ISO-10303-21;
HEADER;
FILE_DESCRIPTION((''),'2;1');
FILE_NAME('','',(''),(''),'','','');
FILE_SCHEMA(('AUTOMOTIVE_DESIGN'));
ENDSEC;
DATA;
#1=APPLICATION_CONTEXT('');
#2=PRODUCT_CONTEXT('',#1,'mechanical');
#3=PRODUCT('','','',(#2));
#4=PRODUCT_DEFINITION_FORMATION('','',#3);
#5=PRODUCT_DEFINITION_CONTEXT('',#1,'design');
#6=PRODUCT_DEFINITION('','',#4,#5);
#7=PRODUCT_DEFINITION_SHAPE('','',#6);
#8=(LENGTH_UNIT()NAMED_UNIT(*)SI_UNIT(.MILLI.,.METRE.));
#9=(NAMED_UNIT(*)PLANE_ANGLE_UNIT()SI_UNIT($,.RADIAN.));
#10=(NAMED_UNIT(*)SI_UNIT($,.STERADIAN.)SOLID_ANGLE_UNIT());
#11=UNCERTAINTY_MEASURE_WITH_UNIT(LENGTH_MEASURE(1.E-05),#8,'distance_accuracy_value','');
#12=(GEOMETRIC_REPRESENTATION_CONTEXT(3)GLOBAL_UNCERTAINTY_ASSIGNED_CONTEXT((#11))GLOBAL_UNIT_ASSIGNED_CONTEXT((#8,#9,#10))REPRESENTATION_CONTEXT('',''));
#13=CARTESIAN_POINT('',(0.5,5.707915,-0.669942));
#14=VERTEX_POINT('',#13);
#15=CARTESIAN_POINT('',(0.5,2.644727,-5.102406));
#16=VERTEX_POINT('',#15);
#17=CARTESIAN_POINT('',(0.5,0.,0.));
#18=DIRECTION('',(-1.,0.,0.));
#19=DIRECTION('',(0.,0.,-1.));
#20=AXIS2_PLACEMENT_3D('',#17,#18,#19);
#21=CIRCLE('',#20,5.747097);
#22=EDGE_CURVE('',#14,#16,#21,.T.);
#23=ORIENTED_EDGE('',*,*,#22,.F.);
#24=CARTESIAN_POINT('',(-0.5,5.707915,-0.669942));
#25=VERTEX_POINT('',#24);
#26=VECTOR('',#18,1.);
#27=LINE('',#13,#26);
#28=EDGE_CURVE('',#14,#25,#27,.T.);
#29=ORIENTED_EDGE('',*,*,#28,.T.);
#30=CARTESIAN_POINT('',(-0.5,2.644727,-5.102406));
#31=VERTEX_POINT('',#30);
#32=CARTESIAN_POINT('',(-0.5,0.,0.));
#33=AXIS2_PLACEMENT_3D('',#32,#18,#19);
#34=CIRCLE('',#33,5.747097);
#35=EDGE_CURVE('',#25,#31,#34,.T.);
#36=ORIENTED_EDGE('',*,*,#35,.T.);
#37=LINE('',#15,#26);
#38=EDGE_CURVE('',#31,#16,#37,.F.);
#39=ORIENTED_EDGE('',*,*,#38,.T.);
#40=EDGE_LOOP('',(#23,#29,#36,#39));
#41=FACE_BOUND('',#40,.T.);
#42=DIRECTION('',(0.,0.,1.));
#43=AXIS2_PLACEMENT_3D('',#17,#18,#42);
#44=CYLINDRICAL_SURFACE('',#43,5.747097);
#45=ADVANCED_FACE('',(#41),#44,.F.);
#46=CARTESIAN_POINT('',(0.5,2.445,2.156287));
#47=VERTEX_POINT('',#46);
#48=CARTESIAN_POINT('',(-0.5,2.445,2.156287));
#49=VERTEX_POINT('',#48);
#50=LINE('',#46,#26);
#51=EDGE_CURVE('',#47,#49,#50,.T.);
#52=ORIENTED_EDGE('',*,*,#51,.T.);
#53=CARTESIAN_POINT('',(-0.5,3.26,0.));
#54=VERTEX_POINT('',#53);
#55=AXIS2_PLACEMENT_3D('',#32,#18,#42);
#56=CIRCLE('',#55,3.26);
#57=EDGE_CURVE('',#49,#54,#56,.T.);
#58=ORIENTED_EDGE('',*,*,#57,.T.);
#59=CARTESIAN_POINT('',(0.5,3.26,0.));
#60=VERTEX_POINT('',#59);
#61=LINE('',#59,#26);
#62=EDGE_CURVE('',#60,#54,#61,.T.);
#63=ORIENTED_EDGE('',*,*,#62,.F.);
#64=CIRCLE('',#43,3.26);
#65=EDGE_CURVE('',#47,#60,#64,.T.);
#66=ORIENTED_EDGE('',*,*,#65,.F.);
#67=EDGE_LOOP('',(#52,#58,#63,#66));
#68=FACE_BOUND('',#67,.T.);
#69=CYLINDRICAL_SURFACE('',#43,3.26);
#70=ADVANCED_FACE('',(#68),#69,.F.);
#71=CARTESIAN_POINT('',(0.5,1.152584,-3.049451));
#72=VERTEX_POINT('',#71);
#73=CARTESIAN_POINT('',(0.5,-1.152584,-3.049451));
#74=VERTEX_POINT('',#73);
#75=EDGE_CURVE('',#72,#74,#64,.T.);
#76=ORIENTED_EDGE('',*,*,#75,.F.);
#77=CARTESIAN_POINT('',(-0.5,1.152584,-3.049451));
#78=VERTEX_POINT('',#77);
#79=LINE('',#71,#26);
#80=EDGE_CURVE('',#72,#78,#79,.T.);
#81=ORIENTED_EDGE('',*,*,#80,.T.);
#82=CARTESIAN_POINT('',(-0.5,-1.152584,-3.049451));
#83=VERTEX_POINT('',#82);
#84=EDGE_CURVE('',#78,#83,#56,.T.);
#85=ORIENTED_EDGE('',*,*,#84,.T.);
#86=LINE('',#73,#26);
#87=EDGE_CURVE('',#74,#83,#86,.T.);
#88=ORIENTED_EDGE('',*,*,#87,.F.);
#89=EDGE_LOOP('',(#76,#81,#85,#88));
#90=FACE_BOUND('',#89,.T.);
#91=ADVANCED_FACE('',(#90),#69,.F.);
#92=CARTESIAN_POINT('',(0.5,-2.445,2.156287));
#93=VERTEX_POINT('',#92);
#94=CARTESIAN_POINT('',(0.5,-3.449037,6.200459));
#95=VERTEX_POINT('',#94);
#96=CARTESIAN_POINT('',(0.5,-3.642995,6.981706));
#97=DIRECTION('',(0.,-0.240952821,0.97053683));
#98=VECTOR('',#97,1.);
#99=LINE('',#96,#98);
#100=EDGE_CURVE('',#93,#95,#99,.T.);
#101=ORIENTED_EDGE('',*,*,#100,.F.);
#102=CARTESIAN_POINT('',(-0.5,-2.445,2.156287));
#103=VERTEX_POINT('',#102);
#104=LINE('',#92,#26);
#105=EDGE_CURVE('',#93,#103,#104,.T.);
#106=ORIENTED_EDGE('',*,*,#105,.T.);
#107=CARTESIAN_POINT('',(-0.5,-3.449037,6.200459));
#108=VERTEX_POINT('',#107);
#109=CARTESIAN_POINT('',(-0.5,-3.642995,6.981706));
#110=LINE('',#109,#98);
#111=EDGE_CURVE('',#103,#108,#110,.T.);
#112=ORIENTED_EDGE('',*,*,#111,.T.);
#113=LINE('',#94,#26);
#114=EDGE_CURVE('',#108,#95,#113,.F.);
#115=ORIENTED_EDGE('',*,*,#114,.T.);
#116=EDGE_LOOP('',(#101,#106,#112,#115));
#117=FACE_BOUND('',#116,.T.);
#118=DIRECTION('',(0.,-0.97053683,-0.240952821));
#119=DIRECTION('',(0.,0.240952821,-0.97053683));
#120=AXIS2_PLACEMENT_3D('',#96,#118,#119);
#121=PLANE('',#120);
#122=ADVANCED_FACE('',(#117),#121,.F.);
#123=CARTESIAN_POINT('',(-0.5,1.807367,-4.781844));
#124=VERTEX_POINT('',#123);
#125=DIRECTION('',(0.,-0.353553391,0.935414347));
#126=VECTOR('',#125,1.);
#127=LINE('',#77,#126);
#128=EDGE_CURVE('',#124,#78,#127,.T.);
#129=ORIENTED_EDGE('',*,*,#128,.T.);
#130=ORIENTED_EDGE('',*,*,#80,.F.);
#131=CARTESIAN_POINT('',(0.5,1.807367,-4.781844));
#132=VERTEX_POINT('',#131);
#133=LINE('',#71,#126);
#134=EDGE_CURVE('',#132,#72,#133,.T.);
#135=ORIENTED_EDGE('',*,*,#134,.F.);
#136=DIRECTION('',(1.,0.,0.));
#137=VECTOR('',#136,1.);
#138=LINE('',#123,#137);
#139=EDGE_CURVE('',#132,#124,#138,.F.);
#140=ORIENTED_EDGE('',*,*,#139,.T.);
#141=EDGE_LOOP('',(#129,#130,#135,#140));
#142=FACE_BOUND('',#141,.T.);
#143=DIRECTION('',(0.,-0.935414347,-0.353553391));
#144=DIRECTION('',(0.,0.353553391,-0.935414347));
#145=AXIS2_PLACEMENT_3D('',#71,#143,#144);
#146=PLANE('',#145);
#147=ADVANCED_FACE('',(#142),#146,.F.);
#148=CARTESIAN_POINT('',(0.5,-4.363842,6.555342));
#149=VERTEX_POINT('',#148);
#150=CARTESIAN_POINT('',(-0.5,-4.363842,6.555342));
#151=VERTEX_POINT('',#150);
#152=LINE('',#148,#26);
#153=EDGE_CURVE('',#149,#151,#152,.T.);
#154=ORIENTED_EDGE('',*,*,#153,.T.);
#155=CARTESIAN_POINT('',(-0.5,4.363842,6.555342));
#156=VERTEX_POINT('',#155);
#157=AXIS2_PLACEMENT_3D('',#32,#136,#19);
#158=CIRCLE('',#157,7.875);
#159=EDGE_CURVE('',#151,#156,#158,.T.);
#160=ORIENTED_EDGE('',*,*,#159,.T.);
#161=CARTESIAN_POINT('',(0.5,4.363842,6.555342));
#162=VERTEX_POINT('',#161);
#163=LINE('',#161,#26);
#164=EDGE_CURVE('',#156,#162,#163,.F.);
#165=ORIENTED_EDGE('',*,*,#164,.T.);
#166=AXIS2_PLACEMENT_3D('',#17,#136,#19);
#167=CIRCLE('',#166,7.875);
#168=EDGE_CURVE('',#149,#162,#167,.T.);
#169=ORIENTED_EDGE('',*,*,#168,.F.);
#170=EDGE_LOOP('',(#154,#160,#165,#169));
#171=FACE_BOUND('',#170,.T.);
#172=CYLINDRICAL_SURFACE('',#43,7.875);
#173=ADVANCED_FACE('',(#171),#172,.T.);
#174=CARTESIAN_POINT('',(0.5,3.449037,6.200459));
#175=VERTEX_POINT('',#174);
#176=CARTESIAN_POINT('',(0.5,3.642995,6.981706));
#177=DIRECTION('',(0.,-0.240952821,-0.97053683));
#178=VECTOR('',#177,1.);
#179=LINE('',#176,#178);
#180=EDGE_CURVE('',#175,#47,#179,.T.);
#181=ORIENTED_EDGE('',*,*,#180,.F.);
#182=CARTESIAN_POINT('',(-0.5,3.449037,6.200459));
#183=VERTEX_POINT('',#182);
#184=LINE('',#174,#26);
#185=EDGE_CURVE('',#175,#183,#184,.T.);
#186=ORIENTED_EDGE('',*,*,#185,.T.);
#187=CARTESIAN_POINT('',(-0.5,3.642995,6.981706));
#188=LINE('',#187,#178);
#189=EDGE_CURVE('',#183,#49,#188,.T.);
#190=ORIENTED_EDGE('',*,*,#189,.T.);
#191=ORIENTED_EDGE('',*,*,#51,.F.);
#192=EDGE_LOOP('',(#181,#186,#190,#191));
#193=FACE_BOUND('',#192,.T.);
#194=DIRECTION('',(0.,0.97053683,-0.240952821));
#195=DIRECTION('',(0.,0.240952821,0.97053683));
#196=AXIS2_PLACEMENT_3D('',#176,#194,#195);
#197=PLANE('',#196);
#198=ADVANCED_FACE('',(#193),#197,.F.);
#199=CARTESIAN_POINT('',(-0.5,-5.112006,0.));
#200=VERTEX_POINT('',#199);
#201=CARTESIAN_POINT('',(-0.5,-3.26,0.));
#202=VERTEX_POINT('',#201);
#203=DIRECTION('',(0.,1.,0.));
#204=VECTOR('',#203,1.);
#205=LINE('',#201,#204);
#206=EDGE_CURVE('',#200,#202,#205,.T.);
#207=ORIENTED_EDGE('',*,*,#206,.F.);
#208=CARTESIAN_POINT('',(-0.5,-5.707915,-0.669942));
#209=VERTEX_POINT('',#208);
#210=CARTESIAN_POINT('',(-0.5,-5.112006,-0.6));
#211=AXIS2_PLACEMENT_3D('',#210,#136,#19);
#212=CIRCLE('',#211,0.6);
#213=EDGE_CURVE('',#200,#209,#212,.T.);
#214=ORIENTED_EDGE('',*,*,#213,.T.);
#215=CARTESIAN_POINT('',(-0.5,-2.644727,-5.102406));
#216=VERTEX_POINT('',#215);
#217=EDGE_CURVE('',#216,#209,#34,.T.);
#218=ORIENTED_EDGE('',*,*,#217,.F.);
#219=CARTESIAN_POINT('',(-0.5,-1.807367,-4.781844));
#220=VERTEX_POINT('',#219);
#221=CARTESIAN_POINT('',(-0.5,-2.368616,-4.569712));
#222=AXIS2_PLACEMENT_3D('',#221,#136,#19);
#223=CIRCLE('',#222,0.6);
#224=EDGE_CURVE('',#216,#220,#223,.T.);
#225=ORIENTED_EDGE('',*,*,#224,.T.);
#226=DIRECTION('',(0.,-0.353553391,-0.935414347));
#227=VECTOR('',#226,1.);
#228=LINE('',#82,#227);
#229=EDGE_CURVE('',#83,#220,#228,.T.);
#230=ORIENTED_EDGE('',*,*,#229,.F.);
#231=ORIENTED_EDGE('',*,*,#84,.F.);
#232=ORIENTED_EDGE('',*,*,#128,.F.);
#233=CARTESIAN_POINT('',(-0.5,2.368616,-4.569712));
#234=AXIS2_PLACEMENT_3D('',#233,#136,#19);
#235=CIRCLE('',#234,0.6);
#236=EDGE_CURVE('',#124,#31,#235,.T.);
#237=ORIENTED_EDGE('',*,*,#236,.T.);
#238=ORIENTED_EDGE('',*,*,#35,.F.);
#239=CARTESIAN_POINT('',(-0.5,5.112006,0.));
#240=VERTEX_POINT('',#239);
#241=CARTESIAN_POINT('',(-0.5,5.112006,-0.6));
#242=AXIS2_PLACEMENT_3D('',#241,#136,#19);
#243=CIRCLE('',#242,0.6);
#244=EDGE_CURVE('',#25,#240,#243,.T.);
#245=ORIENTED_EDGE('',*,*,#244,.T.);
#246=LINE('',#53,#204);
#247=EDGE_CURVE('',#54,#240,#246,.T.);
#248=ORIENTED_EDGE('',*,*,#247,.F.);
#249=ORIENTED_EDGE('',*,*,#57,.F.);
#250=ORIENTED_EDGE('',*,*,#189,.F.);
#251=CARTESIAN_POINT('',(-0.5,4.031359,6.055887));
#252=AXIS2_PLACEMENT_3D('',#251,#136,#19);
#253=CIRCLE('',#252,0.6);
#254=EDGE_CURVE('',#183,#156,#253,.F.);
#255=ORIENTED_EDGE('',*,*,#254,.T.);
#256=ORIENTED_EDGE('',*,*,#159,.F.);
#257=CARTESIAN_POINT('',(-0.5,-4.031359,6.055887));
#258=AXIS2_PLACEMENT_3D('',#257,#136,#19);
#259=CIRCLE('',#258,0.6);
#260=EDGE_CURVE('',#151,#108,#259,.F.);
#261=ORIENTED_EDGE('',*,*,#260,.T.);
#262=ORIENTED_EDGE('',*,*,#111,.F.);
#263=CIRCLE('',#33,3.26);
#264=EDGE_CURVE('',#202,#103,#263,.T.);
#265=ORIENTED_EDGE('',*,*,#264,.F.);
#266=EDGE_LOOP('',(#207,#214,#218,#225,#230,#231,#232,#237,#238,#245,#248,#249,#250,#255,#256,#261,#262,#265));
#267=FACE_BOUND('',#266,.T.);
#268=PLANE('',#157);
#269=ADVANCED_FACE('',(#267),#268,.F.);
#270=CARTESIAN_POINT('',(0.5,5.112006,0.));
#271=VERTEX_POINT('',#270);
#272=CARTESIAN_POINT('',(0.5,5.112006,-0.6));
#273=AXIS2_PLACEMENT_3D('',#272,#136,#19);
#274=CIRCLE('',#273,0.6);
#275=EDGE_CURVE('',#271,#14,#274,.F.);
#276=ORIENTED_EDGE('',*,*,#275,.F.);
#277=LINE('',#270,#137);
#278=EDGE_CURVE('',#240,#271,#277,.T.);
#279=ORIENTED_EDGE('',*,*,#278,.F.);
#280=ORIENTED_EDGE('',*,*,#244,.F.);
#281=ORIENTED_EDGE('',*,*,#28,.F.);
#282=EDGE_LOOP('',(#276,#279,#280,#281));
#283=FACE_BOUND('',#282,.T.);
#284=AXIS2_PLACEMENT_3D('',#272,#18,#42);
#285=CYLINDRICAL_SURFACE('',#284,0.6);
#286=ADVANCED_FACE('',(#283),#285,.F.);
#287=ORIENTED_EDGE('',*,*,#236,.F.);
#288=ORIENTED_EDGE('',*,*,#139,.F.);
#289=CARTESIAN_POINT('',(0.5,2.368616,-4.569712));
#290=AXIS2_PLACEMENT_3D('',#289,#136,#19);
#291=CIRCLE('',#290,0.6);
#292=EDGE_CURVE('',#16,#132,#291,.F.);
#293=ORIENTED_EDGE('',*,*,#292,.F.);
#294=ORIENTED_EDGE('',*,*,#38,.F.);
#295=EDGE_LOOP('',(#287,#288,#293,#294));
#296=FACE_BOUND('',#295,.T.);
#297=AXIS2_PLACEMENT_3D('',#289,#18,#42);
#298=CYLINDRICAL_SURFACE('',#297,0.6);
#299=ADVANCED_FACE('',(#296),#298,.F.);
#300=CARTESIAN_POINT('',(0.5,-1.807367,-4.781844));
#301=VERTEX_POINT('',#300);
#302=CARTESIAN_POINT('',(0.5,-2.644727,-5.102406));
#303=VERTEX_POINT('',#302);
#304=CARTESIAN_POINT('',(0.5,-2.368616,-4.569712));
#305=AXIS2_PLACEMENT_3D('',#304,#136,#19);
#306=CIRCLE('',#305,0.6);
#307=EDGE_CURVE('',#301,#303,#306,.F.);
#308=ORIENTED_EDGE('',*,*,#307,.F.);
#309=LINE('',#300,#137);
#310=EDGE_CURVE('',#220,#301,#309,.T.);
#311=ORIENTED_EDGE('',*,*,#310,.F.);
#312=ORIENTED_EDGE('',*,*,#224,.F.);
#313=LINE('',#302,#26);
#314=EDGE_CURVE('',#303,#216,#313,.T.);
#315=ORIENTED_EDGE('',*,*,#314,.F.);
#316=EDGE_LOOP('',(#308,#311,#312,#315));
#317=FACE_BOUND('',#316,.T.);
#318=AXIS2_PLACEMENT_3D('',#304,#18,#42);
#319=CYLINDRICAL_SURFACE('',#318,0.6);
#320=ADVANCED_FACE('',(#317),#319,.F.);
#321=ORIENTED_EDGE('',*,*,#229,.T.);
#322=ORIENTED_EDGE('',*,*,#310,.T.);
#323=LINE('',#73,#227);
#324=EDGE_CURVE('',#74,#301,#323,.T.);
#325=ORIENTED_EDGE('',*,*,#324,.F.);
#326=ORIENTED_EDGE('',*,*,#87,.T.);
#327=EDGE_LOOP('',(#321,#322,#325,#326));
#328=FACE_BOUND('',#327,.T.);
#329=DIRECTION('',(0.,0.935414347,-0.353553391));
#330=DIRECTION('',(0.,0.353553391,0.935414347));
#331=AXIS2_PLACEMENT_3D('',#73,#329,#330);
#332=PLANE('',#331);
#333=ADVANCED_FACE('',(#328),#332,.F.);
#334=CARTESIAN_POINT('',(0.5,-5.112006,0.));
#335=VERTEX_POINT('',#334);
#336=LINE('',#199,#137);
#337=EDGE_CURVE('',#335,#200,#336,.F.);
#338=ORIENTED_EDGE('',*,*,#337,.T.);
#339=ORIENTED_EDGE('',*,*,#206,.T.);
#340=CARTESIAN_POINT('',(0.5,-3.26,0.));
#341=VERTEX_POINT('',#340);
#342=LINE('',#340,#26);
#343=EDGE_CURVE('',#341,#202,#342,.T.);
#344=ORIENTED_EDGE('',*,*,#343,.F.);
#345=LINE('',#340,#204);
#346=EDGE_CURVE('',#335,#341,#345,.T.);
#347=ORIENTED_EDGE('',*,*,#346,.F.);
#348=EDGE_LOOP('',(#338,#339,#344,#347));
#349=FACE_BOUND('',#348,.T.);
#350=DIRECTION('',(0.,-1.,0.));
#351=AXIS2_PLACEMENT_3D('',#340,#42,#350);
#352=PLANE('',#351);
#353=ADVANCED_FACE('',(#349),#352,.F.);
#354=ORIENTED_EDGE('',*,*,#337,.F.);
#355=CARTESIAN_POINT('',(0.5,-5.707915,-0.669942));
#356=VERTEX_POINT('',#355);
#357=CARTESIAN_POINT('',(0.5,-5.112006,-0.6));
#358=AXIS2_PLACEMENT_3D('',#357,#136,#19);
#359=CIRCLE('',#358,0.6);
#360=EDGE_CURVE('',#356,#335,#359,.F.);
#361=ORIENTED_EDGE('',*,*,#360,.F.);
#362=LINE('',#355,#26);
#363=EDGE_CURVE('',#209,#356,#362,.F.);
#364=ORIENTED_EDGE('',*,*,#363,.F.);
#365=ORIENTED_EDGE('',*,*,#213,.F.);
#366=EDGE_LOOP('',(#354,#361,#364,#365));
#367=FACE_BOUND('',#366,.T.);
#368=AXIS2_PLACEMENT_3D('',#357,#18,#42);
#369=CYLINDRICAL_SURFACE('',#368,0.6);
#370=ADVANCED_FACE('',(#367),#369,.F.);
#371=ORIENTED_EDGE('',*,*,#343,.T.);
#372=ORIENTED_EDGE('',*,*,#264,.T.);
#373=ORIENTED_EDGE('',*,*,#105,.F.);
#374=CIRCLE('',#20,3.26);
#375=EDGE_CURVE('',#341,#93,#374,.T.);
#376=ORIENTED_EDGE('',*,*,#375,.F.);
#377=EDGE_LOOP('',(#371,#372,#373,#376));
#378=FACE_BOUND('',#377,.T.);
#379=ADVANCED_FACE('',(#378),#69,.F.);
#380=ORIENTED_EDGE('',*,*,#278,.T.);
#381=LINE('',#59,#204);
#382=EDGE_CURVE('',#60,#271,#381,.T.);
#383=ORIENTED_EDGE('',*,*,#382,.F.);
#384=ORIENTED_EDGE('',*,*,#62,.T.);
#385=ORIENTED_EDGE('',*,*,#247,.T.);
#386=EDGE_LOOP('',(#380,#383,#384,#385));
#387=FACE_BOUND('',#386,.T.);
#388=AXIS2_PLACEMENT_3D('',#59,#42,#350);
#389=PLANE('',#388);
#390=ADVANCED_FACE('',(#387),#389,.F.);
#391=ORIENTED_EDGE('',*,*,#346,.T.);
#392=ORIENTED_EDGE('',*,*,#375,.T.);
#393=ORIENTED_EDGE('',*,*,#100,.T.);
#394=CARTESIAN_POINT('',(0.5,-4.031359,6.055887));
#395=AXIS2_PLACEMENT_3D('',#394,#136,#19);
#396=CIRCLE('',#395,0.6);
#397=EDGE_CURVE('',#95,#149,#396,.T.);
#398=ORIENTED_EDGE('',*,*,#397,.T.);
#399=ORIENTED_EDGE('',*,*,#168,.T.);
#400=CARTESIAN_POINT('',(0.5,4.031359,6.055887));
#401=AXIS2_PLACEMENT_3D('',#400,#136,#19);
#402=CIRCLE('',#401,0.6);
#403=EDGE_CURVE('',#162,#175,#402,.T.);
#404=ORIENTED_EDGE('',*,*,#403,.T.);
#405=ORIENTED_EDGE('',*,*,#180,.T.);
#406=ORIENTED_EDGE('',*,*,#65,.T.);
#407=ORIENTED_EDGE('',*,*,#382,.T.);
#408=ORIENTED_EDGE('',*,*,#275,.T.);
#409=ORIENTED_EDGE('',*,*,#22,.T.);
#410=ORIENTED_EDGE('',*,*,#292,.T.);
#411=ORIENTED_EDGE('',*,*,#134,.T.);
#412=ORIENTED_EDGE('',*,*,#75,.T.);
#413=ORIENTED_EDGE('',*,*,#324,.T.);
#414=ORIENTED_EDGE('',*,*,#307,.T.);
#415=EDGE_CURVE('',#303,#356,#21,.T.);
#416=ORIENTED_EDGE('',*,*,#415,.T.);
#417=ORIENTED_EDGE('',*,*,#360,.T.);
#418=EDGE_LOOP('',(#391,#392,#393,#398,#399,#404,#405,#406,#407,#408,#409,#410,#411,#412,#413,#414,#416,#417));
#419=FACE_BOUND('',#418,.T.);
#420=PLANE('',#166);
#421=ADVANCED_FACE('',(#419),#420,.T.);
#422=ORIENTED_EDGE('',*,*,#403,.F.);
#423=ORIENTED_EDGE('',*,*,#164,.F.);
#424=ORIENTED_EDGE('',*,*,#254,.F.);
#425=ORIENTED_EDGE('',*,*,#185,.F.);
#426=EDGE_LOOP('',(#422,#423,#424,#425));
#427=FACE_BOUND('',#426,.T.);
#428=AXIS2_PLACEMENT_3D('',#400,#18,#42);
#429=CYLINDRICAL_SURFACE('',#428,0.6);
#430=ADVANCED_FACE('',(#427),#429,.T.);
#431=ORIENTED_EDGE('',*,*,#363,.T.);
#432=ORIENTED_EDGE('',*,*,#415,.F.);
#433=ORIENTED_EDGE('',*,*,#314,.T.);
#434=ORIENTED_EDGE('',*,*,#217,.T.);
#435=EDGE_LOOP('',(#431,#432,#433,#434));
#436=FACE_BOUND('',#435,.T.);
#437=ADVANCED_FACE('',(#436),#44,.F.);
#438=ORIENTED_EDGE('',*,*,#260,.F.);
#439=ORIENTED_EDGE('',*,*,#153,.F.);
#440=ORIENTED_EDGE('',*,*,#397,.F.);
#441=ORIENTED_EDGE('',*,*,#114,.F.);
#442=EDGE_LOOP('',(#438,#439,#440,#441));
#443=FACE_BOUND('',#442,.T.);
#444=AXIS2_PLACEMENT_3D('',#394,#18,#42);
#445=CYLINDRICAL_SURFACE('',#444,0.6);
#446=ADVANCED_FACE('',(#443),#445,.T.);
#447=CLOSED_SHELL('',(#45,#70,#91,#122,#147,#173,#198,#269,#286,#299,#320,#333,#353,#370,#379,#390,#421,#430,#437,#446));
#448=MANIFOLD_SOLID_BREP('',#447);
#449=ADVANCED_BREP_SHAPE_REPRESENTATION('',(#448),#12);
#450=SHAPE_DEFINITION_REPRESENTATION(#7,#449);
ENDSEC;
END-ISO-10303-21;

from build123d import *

# Parameters (mm, degrees)
EXTRUDE1_DEPTH = 0.5
FILLET1_R      = 0.6


with BuildPart() as part:
    # Sketch1 → Extrude1 (new body, symmetric)
    with BuildSketch(Plane(origin=(0, 0, 0), x_dir=(0, 0, -1), z_dir=(1, 0, 0))):
        with BuildLine():
            Line((-6.981705618, -3.642994877), (-2.156287319, -2.445))
            ThreePointArc((-2.156287319, -2.445), (-1.152584053, -3.04945077), (0, -3.26))
            Line((0, -3.26), (0, -5.747096774))
            ThreePointArc((0, -5.747096774), (3.267381482, -4.727931851), (5.375916774, -2.031905551))
            Line((5.375916774, -2.031905551), (3.04945077, -1.152584053))
            ThreePointArc((3.04945077, -1.152584053), (3.26, 0), (3.04945077, 1.152584053))
            Line((3.04945077, 1.152584053), (5.375916774, 2.031905551))
            ThreePointArc((5.375916774, 2.031905551), (3.267381482, 4.727931851), (0, 5.747096774))
            Line((0, 5.747096774), (0, 3.26))
            ThreePointArc((0, 3.26), (-1.152584053, 3.04945077), (-2.156287319, 2.445))
            Line((-2.156287319, 2.445), (-6.981705618, 3.642994877))
            ThreePointArc((-6.981705618, 3.642994877), (7.875, 0), (-6.981705618, -3.642994877))
        make_face()
    extrude(amount=EXTRUDE1_DEPTH, both=True)

    # Fillet1
    fillet1_edges = [part.edges().sort_by_distance(p)[0] for p in [
        (0, -3.642994877, 6.981705618),
        (0, -5.747096774, 0),
        (0, -2.031905551, -5.375916774),
        (0, 2.031905551, -5.375916774),
        (0, 5.747096774, 0),
        (0, 3.642994877, 6.981705618),
    ]]
    fillet(fillet1_edges, radius=FILLET1_R)


solid = part.part
